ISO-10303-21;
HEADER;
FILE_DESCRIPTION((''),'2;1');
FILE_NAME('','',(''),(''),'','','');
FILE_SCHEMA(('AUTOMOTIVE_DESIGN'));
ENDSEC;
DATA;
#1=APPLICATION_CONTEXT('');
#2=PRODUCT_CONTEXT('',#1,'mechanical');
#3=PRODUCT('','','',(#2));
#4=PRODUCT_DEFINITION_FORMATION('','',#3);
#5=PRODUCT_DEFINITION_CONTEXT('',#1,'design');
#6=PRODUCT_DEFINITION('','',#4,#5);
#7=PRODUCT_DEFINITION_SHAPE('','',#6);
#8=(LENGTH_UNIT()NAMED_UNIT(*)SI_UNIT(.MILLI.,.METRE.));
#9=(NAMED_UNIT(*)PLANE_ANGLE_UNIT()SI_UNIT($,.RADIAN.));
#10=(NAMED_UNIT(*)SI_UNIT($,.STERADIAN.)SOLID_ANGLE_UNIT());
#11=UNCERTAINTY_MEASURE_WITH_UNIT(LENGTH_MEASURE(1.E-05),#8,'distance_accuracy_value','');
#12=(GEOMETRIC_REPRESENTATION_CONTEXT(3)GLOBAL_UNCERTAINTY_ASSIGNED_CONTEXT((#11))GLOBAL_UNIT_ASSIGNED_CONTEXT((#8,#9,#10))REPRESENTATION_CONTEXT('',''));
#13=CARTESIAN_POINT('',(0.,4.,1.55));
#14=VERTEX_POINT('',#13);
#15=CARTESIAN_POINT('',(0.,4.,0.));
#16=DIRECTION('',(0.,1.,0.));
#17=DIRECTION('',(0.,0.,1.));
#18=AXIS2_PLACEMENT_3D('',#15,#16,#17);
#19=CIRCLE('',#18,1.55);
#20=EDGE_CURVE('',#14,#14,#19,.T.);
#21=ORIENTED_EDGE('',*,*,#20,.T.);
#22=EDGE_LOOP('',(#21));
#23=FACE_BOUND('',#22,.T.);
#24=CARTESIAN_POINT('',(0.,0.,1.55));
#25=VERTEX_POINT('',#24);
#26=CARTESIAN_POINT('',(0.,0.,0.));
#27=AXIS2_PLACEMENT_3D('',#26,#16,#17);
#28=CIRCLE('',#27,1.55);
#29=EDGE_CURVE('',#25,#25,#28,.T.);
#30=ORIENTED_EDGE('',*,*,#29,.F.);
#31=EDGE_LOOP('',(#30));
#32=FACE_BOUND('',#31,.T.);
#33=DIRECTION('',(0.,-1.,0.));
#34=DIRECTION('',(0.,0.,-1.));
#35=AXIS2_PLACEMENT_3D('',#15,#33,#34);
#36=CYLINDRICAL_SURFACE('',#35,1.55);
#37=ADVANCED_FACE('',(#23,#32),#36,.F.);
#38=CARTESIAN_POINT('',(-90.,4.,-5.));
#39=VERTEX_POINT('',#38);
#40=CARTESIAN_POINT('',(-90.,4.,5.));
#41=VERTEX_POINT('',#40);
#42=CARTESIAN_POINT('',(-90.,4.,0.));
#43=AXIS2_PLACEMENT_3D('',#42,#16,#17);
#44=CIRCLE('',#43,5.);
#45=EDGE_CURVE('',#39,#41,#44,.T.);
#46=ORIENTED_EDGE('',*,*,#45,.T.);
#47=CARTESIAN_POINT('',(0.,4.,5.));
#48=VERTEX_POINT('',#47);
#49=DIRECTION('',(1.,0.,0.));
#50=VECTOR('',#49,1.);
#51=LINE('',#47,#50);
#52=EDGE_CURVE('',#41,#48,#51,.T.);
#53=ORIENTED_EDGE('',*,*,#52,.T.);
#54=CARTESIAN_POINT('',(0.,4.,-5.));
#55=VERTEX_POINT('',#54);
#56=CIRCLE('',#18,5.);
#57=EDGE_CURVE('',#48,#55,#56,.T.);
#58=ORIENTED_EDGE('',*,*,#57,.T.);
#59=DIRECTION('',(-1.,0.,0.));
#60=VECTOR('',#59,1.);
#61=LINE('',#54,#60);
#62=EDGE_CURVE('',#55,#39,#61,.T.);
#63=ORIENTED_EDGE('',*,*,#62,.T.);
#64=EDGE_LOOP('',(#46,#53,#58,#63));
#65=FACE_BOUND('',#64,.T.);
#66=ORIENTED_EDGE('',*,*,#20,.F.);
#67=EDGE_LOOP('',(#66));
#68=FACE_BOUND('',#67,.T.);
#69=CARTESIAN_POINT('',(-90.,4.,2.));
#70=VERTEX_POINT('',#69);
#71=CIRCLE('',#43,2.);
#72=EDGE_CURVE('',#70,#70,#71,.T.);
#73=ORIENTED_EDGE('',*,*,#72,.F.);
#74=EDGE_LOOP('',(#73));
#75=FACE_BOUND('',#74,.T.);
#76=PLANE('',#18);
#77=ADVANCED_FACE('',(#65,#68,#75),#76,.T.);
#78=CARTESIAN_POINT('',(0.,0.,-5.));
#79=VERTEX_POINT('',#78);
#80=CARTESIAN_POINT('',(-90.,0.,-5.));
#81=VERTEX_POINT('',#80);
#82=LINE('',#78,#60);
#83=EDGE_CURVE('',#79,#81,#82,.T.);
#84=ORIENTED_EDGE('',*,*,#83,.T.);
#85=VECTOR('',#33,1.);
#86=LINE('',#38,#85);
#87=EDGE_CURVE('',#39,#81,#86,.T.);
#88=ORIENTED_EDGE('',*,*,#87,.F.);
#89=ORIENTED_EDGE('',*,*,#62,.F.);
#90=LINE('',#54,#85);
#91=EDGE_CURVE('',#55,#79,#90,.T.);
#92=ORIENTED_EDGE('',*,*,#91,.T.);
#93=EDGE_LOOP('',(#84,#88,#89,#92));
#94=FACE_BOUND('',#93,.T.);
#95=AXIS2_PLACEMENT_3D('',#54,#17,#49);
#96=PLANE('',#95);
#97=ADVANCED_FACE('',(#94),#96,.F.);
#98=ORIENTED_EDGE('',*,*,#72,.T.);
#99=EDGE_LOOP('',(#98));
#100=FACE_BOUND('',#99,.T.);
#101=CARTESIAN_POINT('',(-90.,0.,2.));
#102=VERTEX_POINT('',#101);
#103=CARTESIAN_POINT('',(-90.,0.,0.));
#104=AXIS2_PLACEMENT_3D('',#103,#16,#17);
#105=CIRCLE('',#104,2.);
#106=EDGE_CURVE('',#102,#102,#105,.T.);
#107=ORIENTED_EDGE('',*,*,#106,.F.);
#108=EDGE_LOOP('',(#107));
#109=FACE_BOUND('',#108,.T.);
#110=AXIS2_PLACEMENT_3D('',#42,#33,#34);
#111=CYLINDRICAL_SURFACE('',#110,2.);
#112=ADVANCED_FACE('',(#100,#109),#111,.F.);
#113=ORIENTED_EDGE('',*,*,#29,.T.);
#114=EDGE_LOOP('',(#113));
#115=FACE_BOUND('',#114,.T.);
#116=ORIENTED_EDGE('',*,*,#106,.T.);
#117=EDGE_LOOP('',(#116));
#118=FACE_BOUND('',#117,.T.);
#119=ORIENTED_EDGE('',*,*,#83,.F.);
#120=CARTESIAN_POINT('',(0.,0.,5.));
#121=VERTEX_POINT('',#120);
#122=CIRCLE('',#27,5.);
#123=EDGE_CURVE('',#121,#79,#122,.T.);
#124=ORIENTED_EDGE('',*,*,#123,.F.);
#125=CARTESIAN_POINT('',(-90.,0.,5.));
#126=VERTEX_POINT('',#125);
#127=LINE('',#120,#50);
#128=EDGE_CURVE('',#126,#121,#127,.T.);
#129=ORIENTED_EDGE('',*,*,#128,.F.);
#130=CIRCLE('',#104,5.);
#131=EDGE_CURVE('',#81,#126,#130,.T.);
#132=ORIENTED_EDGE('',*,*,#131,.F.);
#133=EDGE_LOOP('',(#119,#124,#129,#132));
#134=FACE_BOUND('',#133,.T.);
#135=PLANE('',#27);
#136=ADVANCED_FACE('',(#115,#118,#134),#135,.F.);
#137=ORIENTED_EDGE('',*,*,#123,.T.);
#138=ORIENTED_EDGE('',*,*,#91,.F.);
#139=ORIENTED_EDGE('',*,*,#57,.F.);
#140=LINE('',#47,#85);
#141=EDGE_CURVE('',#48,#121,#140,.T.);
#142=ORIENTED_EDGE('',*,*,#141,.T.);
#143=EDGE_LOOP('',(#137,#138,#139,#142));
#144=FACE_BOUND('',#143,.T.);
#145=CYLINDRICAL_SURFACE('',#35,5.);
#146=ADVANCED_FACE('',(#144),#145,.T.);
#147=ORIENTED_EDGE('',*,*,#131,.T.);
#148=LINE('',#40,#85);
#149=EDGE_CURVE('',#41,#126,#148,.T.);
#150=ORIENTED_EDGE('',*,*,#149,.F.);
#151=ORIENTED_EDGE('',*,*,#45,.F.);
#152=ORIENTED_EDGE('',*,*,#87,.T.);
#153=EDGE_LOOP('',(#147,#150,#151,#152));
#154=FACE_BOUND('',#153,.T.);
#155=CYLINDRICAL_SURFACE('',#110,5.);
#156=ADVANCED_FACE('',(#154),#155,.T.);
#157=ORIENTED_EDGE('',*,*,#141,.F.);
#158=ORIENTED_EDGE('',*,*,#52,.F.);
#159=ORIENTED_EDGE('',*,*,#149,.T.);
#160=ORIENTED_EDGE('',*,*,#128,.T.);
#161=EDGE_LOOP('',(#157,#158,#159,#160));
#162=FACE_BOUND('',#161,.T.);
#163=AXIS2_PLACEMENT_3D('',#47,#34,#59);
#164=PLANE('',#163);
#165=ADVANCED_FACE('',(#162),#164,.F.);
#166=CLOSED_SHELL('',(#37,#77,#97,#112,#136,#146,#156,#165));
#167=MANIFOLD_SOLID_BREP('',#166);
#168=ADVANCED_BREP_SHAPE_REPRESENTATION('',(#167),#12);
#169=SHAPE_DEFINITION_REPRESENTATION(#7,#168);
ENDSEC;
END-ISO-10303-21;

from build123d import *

# Parameters (mm, degrees)
SKETCH1_R           = 2
SKETCH1_R_2         = 1.55
BOSS_EXTRUDE1_DEPTH = 4


with BuildPart() as part:
    # Sketch1 → Boss-Extrude1 (new body)
    with BuildSketch(Plane(origin=(0, 0, 0), x_dir=(1, 0, 0), z_dir=(0, 1, 0))):
        with BuildLine():
            Line((0, -5), (-90, -5))
            ThreePointArc((-90, -5), (-95, 0), (-90, 5))
            Line((-90, 5), (0, 5))
            ThreePointArc((0, 5), (5, 0), (0, -5))
        make_face()
        with Locations((-90, 0)):
            Circle(SKETCH1_R, mode=Mode.SUBTRACT)
        Circle(SKETCH1_R_2, mode=Mode.SUBTRACT)
    extrude(amount=BOSS_EXTRUDE1_DEPTH)


solid = part.part
